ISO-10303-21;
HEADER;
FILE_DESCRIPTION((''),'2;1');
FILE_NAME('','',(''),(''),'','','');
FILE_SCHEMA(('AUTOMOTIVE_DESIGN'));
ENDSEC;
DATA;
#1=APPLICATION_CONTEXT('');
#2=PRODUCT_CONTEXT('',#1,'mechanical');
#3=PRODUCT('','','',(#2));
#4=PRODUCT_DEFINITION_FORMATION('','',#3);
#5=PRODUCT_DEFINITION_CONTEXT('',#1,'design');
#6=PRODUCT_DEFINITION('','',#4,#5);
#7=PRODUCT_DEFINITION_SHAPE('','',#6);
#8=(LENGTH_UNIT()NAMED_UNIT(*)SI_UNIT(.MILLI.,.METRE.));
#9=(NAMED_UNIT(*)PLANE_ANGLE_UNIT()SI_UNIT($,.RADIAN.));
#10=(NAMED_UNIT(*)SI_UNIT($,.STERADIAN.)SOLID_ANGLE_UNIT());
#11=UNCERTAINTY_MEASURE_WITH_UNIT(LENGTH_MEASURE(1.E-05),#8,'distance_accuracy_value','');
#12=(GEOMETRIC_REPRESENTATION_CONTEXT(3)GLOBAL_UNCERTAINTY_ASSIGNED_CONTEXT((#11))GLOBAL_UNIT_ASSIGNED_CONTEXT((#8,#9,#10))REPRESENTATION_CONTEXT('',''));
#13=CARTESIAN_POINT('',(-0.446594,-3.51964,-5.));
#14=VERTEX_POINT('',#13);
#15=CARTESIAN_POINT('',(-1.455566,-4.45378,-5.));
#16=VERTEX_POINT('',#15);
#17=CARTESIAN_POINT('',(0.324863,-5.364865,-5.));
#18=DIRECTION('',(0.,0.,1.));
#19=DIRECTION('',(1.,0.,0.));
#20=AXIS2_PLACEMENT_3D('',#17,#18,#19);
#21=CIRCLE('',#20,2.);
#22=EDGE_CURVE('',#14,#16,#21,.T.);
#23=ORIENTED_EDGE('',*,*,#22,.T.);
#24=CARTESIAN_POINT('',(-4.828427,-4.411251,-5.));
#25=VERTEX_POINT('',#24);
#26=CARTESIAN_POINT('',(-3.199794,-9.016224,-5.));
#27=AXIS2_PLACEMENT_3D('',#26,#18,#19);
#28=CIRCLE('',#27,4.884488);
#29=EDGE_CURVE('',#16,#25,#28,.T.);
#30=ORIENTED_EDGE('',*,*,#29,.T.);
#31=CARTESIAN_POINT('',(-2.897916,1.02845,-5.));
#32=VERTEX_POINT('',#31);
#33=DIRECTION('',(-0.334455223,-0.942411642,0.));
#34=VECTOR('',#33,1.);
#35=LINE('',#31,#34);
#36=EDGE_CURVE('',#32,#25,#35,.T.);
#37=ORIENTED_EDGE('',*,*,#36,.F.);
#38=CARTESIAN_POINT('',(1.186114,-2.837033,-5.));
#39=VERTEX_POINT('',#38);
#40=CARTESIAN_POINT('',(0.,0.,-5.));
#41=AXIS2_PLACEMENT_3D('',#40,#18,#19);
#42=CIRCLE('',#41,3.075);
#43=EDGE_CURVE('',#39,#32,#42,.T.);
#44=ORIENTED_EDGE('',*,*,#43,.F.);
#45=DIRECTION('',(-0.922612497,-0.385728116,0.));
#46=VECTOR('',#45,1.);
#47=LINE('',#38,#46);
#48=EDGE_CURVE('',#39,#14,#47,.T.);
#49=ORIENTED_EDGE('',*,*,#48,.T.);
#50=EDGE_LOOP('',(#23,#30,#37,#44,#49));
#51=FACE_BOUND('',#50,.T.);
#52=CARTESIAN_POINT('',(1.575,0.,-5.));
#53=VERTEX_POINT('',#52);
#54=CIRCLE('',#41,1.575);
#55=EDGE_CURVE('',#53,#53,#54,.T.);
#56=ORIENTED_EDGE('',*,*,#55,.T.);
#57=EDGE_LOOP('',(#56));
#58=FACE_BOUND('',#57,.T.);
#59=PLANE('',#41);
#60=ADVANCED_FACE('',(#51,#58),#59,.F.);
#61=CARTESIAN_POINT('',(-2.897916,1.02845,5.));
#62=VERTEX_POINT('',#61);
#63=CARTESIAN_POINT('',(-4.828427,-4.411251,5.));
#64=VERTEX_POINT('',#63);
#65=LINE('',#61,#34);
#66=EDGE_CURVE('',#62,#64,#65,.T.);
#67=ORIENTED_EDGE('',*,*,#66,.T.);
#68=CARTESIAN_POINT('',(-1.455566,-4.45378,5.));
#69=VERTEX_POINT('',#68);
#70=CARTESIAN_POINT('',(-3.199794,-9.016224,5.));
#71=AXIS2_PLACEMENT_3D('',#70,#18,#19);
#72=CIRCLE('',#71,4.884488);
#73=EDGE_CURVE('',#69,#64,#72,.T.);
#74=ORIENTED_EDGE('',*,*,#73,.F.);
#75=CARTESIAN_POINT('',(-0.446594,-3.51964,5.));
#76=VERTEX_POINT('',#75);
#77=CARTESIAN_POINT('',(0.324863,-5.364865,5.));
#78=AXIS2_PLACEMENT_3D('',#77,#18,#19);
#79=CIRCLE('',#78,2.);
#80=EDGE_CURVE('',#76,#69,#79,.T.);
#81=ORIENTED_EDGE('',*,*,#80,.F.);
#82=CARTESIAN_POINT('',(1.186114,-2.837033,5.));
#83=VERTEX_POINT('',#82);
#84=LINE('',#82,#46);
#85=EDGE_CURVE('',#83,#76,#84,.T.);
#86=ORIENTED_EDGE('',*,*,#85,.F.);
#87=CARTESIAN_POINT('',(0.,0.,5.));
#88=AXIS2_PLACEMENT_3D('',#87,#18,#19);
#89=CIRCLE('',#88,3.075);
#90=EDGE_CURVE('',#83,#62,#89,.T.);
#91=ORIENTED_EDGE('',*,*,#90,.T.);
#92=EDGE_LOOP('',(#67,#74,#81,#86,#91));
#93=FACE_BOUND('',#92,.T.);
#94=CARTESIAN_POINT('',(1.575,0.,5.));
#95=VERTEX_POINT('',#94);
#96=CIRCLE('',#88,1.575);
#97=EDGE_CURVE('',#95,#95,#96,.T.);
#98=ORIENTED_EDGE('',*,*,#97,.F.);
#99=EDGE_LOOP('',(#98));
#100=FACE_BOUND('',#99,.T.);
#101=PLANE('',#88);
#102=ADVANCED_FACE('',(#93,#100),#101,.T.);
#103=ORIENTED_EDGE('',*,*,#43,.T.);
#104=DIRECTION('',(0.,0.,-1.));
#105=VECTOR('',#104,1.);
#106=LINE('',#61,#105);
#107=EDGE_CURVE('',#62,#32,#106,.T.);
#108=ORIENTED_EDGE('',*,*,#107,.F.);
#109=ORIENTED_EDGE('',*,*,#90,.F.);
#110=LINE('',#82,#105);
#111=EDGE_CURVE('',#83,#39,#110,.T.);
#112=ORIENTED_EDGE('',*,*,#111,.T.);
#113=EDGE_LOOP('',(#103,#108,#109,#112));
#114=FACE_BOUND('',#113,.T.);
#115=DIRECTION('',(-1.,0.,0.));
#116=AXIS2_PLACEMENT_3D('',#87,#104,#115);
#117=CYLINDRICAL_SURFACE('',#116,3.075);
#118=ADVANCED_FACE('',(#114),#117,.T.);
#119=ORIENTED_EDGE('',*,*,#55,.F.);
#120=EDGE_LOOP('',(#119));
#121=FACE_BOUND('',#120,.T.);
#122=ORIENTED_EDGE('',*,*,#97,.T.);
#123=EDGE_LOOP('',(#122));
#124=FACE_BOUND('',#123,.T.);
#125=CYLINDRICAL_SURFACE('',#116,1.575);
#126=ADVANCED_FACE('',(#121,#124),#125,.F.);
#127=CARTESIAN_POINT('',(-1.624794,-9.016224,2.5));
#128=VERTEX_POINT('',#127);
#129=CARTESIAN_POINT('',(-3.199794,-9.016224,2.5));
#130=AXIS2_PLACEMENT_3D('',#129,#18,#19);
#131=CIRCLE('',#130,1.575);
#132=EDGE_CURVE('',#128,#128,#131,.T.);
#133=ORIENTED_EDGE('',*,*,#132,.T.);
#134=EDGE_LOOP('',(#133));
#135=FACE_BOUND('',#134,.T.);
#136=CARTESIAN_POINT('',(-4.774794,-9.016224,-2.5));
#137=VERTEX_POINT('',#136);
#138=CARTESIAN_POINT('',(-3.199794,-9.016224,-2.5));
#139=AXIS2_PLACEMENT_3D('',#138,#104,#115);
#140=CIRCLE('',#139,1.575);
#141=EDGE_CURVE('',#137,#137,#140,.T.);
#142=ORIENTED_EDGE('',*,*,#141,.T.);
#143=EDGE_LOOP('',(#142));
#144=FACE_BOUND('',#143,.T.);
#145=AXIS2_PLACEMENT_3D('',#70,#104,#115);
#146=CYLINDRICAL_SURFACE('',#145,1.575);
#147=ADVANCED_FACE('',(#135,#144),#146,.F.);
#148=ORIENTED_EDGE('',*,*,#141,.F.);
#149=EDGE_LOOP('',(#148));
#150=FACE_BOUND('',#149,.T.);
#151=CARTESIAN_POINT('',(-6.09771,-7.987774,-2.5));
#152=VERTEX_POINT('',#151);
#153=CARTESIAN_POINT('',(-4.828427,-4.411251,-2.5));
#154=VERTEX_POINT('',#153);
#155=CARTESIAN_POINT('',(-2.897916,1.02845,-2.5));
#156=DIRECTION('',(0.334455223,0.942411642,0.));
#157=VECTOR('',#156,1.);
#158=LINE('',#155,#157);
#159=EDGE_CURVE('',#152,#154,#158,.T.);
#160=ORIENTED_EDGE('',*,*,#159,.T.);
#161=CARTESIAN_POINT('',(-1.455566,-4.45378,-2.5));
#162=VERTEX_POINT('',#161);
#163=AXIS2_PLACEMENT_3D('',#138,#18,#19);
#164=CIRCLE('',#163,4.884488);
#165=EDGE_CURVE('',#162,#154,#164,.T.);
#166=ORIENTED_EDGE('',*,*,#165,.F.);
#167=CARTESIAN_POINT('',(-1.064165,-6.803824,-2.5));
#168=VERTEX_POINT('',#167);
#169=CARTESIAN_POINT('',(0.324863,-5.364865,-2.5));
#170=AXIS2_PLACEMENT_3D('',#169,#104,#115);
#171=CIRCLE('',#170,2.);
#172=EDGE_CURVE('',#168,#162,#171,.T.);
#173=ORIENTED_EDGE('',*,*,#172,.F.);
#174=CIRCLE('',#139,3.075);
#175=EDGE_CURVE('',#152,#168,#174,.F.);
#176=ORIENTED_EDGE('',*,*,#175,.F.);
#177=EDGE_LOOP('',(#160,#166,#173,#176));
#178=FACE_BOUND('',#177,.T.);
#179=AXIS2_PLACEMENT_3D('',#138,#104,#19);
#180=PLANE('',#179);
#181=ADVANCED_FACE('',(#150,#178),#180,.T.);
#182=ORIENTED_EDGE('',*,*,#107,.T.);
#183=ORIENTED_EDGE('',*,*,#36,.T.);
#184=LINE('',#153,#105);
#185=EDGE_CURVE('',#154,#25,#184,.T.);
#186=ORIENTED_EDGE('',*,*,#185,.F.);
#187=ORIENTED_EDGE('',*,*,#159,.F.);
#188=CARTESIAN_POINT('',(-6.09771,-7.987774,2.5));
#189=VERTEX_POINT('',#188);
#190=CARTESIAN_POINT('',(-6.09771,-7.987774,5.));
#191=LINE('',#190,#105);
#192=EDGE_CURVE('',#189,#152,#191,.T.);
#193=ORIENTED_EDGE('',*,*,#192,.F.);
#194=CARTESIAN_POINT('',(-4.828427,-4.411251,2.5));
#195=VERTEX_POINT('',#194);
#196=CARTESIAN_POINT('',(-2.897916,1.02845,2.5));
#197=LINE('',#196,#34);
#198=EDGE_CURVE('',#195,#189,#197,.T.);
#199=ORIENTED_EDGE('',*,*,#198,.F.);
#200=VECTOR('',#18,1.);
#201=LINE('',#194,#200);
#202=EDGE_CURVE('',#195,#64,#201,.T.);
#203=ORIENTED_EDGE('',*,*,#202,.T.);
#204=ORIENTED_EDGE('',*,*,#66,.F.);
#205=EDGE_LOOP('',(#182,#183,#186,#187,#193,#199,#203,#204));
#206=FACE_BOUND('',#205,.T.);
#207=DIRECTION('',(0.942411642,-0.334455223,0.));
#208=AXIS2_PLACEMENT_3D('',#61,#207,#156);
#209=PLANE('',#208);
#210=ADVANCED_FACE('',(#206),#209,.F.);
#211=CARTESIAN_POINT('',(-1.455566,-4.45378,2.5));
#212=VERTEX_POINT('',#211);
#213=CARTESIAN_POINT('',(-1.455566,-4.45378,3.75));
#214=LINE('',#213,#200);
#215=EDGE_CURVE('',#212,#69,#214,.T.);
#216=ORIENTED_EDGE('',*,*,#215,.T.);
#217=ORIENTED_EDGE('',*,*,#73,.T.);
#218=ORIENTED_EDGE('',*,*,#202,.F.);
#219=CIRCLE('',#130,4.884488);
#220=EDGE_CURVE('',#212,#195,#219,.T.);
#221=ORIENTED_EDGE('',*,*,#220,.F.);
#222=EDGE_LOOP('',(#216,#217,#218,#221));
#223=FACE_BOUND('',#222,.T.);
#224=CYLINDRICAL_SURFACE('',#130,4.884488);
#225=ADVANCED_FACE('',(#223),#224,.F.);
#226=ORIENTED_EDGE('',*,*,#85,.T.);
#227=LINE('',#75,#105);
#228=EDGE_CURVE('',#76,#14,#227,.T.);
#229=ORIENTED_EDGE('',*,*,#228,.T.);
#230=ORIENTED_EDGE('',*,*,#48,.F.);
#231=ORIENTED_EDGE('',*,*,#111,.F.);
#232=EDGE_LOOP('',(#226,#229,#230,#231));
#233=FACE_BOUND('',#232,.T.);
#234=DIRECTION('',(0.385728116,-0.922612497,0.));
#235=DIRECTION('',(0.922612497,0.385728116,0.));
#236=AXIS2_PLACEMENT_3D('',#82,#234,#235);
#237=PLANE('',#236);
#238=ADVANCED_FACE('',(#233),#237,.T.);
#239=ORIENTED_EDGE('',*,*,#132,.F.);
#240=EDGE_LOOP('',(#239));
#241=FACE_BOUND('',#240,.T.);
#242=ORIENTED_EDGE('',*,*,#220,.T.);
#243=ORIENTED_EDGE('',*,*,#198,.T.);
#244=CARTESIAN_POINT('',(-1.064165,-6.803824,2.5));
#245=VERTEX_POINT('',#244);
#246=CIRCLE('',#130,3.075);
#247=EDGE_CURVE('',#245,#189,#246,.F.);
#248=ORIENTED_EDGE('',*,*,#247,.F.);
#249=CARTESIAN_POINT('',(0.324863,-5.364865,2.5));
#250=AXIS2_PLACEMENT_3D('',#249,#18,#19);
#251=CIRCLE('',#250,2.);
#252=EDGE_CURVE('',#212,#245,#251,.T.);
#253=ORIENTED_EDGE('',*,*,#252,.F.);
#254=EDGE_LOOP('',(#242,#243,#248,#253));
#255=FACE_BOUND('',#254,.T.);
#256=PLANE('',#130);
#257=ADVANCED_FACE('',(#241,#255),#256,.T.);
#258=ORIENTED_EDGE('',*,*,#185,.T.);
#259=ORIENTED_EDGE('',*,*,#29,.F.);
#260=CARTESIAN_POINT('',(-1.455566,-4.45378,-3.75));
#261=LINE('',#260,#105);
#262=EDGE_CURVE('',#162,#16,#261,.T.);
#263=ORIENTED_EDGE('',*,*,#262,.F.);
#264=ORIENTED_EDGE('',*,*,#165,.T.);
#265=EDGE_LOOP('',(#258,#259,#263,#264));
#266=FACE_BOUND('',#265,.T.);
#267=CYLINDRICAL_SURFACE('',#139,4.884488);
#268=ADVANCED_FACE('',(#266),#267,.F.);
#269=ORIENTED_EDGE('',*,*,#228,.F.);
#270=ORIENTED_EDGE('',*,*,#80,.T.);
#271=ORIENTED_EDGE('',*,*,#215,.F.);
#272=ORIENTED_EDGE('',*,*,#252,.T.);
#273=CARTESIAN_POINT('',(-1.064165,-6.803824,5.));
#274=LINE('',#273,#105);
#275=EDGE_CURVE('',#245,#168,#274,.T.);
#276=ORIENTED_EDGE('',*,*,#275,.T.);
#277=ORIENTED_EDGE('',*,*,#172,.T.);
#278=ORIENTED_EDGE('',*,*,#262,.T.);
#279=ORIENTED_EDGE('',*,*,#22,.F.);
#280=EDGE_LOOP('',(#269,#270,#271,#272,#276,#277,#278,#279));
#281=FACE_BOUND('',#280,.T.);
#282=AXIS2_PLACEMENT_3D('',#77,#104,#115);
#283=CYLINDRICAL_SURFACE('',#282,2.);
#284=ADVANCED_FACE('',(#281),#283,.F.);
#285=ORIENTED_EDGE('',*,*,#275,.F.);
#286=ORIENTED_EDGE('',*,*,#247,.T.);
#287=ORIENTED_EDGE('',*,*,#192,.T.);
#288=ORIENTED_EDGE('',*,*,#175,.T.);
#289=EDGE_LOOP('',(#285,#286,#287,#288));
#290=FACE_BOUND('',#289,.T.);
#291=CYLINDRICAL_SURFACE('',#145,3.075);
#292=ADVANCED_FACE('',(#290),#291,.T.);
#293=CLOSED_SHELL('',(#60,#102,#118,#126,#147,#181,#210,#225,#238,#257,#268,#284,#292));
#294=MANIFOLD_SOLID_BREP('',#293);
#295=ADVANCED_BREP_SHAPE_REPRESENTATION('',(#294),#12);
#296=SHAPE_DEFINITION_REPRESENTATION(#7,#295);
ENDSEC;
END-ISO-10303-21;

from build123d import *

# Parameters (mm, degrees)
SKETCH1_R           = 1.575
BOSS_EXTRUDE1_DEPTH = 5
SKETCH2_R           = 4.88448764
CUT_EXTRUDE1_DEPTH  = 2.5


with BuildPart() as part:
    # Sketch1 → Boss-Extrude1 (new, symmetric)
    with BuildSketch(Plane.XY):
        with BuildLine():
            Line((1.186113957, -2.83703343), (-0.446593535, -3.519639818))
            ThreePointArc((-0.446593535, -3.519639818), (-1.640687739, -4.995254909), (-1.064164547, -6.803823921))
            ThreePointArc((-1.064164547, -6.803823921), (-2.49573113, -12.009536189), (-6.097709737, -7.987773738))
            Line((-6.097709737, -7.987773738), (-2.8979158, 1.028449811))
            ThreePointArc((-2.8979158, 1.028449811), (2.113777793, 2.233286466), (1.186113957, -2.83703343))
        make_face()
        Circle(SKETCH1_R, mode=Mode.SUBTRACT)
        with Locations((-3.199793936, -9.016223549)):
            Circle(SKETCH1_R, mode=Mode.SUBTRACT)
    extrude(amount=BOSS_EXTRUDE1_DEPTH, both=True)

    # Sketch2 → Cut-Extrude1 (cut)
    with BuildSketch(Plane.XY.offset(5)):
        with Locations((-3.199793936, -9.016223549)):
            Circle(SKETCH2_R)
    cut_extrude1 = extrude(amount=-CUT_EXTRUDE1_DEPTH, mode=Mode.SUBTRACT)

    # Mirror1: Cut-Extrude1 across plane
    add(cut_extrude1.mirror(Plane.XY), mode=Mode.SUBTRACT)


solid = part.part
